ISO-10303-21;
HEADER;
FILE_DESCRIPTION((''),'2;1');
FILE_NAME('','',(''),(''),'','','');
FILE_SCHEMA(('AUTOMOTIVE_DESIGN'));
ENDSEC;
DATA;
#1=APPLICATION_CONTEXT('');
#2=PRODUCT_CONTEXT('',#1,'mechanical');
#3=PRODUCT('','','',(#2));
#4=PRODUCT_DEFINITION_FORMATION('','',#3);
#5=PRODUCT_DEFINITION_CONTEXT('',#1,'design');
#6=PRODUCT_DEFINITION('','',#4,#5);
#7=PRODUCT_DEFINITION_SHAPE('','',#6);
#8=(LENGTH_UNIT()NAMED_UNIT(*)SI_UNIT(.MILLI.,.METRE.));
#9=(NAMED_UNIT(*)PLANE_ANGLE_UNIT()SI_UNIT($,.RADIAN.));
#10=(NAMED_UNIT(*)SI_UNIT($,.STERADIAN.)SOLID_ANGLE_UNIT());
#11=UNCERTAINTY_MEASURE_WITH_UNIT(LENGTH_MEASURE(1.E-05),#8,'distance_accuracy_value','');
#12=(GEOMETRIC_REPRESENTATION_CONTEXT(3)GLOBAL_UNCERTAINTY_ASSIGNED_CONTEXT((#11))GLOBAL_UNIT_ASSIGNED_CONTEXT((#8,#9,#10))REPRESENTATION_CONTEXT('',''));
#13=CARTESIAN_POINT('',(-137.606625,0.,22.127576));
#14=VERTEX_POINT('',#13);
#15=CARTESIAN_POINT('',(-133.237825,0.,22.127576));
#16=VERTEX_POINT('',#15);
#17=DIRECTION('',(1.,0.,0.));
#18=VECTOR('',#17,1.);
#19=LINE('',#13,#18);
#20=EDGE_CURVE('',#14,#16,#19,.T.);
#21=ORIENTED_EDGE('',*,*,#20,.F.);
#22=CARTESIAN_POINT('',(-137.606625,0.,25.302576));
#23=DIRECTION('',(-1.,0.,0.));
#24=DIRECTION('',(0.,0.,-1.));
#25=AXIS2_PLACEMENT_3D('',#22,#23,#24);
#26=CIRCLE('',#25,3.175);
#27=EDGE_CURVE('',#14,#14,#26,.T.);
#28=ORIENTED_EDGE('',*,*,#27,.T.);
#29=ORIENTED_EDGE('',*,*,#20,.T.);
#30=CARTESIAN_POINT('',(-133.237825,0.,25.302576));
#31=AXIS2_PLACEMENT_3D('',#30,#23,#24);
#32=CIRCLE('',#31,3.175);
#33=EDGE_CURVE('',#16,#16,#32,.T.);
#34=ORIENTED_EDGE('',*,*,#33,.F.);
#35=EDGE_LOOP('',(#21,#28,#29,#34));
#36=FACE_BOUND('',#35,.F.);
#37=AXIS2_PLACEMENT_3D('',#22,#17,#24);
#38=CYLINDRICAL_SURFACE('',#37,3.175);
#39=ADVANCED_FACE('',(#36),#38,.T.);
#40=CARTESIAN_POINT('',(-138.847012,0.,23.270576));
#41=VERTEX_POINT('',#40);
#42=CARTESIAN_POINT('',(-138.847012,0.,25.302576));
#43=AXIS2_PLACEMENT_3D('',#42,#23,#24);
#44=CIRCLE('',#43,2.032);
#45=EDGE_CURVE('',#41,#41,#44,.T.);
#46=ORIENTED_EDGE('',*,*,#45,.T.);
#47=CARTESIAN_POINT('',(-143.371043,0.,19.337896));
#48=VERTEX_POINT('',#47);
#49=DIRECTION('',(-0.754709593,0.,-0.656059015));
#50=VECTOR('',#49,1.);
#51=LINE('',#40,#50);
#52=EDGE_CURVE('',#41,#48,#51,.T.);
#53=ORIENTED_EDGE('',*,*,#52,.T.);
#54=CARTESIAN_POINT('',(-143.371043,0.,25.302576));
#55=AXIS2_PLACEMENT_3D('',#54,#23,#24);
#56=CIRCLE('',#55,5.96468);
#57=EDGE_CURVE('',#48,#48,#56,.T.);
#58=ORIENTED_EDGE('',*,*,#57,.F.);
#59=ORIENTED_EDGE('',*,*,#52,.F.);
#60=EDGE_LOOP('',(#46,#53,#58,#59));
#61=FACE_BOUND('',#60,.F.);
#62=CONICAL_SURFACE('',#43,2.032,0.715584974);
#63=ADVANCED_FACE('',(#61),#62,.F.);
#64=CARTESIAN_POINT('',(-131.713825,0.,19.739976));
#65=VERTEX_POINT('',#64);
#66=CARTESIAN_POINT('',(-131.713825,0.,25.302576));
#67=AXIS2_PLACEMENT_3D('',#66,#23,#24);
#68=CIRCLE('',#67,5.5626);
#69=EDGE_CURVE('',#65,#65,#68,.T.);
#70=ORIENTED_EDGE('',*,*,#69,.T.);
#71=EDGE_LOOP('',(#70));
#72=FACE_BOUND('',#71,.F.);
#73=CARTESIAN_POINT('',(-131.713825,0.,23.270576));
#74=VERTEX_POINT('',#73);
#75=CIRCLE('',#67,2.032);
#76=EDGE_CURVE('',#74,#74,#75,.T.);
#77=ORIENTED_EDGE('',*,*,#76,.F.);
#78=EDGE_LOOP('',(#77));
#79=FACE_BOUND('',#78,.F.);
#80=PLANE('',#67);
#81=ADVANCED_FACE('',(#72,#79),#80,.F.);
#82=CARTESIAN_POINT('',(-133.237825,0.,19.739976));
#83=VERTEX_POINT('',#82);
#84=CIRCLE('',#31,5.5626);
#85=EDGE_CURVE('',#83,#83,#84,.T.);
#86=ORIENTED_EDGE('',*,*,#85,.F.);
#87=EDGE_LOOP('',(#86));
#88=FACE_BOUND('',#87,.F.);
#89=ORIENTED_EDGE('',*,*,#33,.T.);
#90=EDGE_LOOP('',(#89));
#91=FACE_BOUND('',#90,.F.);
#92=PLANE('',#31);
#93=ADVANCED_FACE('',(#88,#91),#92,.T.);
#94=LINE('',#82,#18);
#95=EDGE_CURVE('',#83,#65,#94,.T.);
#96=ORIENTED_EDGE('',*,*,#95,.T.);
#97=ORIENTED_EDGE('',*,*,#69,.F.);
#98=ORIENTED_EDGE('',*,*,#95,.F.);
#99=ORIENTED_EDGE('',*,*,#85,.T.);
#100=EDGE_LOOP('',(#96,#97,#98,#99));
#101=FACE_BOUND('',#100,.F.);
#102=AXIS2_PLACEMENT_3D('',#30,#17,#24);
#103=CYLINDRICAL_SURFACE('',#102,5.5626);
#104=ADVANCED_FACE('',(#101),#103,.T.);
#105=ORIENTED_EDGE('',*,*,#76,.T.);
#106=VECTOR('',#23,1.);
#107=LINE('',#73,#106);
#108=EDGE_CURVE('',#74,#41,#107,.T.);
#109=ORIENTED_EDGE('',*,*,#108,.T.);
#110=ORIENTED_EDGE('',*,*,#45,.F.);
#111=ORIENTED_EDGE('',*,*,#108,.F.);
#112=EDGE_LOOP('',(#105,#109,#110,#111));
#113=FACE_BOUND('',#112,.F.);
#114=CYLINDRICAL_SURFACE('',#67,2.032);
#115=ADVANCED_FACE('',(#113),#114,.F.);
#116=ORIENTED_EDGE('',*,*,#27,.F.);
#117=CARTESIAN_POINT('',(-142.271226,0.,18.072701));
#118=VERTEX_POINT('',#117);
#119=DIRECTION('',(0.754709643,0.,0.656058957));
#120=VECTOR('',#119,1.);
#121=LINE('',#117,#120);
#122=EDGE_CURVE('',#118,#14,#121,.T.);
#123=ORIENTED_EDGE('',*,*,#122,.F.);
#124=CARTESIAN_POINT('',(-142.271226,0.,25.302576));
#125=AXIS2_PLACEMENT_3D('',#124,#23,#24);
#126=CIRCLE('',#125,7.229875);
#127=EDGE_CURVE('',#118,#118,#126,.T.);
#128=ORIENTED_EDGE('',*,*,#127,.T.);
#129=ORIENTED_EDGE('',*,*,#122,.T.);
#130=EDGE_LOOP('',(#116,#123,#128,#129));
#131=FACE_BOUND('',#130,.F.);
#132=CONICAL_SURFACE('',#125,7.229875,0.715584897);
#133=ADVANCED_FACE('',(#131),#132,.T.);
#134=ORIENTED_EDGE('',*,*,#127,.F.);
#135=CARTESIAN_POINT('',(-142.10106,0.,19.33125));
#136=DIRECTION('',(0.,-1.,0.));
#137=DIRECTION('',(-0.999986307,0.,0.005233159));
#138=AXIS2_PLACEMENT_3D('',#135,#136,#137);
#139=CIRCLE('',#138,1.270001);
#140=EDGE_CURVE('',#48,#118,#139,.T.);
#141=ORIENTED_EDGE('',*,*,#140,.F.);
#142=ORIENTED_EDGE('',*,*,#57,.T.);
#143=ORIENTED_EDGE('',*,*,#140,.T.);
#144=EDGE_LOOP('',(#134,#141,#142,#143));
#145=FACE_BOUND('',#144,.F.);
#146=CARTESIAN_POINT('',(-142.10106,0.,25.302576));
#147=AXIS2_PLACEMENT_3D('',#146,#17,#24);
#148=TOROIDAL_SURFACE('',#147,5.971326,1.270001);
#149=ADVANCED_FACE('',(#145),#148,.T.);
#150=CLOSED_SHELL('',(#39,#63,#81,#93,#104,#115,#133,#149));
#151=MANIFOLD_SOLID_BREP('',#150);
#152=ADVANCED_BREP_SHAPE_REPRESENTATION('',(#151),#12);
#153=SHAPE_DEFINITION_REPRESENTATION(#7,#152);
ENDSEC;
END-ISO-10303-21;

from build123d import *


with BuildPart() as f1:
    # F0 (on Front) → F1 (revolve)
    with BuildSketch(Plane.XZ):
        with BuildLine():
            Line((-131.713825, 19.739976), (-131.713825, 23.270576))
            Line((-131.713825, 23.270576), (-138.847012, 23.270576))
            Line((-138.847012, 23.270576), (-143.371043, 19.337896))
            ThreePointArc((-143.371043, 19.337896), (-143.059541, 18.498054), (-142.271226, 18.072701))
            Line((-142.271226, 18.072701), (-137.606625, 22.127576))
            Line((-137.606625, 22.127576), (-133.237825, 22.127576))
            Line((-133.237825, 22.127576), (-133.237825, 19.739976))
            Line((-133.237825, 19.739976), (-131.713825, 19.739976))
        make_face()
    revolve(axis=Axis((-144.413825, 0, 25.302576), (-1, 0, 0)))


solid = f1.part
